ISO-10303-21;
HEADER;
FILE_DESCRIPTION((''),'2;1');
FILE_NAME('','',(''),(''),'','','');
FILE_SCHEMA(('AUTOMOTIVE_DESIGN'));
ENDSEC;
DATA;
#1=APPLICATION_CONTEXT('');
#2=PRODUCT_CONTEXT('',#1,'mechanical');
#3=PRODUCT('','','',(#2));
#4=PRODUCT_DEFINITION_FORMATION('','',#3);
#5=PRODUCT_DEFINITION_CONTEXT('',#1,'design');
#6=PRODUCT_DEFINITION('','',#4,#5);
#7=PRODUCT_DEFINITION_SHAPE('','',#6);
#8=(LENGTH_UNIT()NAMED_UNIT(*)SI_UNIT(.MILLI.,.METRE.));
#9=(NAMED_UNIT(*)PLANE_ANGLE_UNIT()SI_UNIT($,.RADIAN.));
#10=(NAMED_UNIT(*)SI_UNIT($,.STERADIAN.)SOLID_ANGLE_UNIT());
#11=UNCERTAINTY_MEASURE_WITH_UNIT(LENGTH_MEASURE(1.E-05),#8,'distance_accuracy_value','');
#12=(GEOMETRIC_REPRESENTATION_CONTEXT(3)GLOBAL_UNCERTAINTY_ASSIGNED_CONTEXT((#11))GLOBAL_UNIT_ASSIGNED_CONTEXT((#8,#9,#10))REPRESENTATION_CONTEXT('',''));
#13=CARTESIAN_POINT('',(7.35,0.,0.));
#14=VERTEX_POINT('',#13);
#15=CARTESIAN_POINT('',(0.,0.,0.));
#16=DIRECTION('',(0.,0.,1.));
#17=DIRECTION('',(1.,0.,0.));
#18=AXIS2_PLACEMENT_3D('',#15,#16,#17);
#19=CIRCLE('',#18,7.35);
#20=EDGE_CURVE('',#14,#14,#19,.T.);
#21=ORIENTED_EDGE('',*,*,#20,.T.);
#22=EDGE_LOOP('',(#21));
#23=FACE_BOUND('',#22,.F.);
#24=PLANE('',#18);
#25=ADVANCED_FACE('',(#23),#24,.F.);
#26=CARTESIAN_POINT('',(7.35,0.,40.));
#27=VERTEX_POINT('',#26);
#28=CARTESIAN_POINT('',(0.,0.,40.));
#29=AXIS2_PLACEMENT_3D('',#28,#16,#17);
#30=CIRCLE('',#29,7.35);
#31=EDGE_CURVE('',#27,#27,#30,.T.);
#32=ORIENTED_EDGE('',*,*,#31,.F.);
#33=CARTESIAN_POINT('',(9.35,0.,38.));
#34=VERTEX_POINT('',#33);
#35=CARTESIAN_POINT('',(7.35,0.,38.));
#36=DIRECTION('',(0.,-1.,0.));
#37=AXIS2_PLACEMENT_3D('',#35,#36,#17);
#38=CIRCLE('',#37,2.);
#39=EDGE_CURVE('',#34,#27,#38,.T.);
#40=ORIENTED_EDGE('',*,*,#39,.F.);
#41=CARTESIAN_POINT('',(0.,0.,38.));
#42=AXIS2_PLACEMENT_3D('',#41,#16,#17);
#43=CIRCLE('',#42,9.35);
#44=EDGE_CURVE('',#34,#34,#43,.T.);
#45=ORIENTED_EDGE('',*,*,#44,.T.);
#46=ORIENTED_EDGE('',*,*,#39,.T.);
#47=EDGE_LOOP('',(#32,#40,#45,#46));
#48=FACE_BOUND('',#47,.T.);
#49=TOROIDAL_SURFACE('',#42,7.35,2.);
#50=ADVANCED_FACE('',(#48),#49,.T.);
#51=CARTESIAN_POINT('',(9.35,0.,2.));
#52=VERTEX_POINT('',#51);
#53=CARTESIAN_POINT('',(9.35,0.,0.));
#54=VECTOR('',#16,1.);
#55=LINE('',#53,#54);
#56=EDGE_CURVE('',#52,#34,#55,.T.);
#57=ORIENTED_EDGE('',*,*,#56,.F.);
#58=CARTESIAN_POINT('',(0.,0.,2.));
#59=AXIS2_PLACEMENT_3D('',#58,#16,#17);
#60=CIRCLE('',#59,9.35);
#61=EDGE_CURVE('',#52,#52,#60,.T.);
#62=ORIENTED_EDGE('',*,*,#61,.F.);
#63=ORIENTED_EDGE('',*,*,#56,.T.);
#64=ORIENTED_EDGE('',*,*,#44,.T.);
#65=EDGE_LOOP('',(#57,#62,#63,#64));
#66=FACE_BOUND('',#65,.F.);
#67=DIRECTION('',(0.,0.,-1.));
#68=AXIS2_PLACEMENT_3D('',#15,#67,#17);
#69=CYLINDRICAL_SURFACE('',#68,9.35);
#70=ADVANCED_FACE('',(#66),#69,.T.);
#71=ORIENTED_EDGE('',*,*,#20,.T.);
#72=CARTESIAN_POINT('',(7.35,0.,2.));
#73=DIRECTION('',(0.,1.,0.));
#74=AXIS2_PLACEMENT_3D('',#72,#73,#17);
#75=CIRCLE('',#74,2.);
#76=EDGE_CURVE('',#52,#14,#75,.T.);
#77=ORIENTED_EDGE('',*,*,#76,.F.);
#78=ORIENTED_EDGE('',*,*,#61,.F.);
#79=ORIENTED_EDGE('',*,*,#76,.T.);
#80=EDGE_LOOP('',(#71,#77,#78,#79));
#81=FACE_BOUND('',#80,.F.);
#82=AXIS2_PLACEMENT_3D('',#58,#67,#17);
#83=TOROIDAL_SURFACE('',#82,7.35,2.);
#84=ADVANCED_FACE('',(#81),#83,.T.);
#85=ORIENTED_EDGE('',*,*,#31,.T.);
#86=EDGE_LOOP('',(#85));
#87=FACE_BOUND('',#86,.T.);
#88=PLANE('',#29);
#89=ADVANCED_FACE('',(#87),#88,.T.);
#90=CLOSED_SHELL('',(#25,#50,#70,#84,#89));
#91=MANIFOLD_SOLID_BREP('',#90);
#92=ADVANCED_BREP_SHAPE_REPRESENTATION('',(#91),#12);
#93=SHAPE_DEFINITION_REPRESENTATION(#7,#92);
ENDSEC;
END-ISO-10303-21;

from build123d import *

# Parameters (mm, degrees)
SKETCH_R      = 9.35
EXTRUDE_DEPTH = 40
FILLET_R      = 2


with BuildPart() as part:
    # Sketch → Extrude (new body)
    with BuildSketch(Plane.XY):
        Circle(SKETCH_R)
    extrude(amount=EXTRUDE_DEPTH)

    # Fillet
    fillet_edges = [part.edges().sort_by_distance(p)[0] for p in [
        (-9.35, 0, 0),
        (-9.35, 0, 40),
    ]]
    fillet(fillet_edges, radius=FILLET_R)


solid = part.part
